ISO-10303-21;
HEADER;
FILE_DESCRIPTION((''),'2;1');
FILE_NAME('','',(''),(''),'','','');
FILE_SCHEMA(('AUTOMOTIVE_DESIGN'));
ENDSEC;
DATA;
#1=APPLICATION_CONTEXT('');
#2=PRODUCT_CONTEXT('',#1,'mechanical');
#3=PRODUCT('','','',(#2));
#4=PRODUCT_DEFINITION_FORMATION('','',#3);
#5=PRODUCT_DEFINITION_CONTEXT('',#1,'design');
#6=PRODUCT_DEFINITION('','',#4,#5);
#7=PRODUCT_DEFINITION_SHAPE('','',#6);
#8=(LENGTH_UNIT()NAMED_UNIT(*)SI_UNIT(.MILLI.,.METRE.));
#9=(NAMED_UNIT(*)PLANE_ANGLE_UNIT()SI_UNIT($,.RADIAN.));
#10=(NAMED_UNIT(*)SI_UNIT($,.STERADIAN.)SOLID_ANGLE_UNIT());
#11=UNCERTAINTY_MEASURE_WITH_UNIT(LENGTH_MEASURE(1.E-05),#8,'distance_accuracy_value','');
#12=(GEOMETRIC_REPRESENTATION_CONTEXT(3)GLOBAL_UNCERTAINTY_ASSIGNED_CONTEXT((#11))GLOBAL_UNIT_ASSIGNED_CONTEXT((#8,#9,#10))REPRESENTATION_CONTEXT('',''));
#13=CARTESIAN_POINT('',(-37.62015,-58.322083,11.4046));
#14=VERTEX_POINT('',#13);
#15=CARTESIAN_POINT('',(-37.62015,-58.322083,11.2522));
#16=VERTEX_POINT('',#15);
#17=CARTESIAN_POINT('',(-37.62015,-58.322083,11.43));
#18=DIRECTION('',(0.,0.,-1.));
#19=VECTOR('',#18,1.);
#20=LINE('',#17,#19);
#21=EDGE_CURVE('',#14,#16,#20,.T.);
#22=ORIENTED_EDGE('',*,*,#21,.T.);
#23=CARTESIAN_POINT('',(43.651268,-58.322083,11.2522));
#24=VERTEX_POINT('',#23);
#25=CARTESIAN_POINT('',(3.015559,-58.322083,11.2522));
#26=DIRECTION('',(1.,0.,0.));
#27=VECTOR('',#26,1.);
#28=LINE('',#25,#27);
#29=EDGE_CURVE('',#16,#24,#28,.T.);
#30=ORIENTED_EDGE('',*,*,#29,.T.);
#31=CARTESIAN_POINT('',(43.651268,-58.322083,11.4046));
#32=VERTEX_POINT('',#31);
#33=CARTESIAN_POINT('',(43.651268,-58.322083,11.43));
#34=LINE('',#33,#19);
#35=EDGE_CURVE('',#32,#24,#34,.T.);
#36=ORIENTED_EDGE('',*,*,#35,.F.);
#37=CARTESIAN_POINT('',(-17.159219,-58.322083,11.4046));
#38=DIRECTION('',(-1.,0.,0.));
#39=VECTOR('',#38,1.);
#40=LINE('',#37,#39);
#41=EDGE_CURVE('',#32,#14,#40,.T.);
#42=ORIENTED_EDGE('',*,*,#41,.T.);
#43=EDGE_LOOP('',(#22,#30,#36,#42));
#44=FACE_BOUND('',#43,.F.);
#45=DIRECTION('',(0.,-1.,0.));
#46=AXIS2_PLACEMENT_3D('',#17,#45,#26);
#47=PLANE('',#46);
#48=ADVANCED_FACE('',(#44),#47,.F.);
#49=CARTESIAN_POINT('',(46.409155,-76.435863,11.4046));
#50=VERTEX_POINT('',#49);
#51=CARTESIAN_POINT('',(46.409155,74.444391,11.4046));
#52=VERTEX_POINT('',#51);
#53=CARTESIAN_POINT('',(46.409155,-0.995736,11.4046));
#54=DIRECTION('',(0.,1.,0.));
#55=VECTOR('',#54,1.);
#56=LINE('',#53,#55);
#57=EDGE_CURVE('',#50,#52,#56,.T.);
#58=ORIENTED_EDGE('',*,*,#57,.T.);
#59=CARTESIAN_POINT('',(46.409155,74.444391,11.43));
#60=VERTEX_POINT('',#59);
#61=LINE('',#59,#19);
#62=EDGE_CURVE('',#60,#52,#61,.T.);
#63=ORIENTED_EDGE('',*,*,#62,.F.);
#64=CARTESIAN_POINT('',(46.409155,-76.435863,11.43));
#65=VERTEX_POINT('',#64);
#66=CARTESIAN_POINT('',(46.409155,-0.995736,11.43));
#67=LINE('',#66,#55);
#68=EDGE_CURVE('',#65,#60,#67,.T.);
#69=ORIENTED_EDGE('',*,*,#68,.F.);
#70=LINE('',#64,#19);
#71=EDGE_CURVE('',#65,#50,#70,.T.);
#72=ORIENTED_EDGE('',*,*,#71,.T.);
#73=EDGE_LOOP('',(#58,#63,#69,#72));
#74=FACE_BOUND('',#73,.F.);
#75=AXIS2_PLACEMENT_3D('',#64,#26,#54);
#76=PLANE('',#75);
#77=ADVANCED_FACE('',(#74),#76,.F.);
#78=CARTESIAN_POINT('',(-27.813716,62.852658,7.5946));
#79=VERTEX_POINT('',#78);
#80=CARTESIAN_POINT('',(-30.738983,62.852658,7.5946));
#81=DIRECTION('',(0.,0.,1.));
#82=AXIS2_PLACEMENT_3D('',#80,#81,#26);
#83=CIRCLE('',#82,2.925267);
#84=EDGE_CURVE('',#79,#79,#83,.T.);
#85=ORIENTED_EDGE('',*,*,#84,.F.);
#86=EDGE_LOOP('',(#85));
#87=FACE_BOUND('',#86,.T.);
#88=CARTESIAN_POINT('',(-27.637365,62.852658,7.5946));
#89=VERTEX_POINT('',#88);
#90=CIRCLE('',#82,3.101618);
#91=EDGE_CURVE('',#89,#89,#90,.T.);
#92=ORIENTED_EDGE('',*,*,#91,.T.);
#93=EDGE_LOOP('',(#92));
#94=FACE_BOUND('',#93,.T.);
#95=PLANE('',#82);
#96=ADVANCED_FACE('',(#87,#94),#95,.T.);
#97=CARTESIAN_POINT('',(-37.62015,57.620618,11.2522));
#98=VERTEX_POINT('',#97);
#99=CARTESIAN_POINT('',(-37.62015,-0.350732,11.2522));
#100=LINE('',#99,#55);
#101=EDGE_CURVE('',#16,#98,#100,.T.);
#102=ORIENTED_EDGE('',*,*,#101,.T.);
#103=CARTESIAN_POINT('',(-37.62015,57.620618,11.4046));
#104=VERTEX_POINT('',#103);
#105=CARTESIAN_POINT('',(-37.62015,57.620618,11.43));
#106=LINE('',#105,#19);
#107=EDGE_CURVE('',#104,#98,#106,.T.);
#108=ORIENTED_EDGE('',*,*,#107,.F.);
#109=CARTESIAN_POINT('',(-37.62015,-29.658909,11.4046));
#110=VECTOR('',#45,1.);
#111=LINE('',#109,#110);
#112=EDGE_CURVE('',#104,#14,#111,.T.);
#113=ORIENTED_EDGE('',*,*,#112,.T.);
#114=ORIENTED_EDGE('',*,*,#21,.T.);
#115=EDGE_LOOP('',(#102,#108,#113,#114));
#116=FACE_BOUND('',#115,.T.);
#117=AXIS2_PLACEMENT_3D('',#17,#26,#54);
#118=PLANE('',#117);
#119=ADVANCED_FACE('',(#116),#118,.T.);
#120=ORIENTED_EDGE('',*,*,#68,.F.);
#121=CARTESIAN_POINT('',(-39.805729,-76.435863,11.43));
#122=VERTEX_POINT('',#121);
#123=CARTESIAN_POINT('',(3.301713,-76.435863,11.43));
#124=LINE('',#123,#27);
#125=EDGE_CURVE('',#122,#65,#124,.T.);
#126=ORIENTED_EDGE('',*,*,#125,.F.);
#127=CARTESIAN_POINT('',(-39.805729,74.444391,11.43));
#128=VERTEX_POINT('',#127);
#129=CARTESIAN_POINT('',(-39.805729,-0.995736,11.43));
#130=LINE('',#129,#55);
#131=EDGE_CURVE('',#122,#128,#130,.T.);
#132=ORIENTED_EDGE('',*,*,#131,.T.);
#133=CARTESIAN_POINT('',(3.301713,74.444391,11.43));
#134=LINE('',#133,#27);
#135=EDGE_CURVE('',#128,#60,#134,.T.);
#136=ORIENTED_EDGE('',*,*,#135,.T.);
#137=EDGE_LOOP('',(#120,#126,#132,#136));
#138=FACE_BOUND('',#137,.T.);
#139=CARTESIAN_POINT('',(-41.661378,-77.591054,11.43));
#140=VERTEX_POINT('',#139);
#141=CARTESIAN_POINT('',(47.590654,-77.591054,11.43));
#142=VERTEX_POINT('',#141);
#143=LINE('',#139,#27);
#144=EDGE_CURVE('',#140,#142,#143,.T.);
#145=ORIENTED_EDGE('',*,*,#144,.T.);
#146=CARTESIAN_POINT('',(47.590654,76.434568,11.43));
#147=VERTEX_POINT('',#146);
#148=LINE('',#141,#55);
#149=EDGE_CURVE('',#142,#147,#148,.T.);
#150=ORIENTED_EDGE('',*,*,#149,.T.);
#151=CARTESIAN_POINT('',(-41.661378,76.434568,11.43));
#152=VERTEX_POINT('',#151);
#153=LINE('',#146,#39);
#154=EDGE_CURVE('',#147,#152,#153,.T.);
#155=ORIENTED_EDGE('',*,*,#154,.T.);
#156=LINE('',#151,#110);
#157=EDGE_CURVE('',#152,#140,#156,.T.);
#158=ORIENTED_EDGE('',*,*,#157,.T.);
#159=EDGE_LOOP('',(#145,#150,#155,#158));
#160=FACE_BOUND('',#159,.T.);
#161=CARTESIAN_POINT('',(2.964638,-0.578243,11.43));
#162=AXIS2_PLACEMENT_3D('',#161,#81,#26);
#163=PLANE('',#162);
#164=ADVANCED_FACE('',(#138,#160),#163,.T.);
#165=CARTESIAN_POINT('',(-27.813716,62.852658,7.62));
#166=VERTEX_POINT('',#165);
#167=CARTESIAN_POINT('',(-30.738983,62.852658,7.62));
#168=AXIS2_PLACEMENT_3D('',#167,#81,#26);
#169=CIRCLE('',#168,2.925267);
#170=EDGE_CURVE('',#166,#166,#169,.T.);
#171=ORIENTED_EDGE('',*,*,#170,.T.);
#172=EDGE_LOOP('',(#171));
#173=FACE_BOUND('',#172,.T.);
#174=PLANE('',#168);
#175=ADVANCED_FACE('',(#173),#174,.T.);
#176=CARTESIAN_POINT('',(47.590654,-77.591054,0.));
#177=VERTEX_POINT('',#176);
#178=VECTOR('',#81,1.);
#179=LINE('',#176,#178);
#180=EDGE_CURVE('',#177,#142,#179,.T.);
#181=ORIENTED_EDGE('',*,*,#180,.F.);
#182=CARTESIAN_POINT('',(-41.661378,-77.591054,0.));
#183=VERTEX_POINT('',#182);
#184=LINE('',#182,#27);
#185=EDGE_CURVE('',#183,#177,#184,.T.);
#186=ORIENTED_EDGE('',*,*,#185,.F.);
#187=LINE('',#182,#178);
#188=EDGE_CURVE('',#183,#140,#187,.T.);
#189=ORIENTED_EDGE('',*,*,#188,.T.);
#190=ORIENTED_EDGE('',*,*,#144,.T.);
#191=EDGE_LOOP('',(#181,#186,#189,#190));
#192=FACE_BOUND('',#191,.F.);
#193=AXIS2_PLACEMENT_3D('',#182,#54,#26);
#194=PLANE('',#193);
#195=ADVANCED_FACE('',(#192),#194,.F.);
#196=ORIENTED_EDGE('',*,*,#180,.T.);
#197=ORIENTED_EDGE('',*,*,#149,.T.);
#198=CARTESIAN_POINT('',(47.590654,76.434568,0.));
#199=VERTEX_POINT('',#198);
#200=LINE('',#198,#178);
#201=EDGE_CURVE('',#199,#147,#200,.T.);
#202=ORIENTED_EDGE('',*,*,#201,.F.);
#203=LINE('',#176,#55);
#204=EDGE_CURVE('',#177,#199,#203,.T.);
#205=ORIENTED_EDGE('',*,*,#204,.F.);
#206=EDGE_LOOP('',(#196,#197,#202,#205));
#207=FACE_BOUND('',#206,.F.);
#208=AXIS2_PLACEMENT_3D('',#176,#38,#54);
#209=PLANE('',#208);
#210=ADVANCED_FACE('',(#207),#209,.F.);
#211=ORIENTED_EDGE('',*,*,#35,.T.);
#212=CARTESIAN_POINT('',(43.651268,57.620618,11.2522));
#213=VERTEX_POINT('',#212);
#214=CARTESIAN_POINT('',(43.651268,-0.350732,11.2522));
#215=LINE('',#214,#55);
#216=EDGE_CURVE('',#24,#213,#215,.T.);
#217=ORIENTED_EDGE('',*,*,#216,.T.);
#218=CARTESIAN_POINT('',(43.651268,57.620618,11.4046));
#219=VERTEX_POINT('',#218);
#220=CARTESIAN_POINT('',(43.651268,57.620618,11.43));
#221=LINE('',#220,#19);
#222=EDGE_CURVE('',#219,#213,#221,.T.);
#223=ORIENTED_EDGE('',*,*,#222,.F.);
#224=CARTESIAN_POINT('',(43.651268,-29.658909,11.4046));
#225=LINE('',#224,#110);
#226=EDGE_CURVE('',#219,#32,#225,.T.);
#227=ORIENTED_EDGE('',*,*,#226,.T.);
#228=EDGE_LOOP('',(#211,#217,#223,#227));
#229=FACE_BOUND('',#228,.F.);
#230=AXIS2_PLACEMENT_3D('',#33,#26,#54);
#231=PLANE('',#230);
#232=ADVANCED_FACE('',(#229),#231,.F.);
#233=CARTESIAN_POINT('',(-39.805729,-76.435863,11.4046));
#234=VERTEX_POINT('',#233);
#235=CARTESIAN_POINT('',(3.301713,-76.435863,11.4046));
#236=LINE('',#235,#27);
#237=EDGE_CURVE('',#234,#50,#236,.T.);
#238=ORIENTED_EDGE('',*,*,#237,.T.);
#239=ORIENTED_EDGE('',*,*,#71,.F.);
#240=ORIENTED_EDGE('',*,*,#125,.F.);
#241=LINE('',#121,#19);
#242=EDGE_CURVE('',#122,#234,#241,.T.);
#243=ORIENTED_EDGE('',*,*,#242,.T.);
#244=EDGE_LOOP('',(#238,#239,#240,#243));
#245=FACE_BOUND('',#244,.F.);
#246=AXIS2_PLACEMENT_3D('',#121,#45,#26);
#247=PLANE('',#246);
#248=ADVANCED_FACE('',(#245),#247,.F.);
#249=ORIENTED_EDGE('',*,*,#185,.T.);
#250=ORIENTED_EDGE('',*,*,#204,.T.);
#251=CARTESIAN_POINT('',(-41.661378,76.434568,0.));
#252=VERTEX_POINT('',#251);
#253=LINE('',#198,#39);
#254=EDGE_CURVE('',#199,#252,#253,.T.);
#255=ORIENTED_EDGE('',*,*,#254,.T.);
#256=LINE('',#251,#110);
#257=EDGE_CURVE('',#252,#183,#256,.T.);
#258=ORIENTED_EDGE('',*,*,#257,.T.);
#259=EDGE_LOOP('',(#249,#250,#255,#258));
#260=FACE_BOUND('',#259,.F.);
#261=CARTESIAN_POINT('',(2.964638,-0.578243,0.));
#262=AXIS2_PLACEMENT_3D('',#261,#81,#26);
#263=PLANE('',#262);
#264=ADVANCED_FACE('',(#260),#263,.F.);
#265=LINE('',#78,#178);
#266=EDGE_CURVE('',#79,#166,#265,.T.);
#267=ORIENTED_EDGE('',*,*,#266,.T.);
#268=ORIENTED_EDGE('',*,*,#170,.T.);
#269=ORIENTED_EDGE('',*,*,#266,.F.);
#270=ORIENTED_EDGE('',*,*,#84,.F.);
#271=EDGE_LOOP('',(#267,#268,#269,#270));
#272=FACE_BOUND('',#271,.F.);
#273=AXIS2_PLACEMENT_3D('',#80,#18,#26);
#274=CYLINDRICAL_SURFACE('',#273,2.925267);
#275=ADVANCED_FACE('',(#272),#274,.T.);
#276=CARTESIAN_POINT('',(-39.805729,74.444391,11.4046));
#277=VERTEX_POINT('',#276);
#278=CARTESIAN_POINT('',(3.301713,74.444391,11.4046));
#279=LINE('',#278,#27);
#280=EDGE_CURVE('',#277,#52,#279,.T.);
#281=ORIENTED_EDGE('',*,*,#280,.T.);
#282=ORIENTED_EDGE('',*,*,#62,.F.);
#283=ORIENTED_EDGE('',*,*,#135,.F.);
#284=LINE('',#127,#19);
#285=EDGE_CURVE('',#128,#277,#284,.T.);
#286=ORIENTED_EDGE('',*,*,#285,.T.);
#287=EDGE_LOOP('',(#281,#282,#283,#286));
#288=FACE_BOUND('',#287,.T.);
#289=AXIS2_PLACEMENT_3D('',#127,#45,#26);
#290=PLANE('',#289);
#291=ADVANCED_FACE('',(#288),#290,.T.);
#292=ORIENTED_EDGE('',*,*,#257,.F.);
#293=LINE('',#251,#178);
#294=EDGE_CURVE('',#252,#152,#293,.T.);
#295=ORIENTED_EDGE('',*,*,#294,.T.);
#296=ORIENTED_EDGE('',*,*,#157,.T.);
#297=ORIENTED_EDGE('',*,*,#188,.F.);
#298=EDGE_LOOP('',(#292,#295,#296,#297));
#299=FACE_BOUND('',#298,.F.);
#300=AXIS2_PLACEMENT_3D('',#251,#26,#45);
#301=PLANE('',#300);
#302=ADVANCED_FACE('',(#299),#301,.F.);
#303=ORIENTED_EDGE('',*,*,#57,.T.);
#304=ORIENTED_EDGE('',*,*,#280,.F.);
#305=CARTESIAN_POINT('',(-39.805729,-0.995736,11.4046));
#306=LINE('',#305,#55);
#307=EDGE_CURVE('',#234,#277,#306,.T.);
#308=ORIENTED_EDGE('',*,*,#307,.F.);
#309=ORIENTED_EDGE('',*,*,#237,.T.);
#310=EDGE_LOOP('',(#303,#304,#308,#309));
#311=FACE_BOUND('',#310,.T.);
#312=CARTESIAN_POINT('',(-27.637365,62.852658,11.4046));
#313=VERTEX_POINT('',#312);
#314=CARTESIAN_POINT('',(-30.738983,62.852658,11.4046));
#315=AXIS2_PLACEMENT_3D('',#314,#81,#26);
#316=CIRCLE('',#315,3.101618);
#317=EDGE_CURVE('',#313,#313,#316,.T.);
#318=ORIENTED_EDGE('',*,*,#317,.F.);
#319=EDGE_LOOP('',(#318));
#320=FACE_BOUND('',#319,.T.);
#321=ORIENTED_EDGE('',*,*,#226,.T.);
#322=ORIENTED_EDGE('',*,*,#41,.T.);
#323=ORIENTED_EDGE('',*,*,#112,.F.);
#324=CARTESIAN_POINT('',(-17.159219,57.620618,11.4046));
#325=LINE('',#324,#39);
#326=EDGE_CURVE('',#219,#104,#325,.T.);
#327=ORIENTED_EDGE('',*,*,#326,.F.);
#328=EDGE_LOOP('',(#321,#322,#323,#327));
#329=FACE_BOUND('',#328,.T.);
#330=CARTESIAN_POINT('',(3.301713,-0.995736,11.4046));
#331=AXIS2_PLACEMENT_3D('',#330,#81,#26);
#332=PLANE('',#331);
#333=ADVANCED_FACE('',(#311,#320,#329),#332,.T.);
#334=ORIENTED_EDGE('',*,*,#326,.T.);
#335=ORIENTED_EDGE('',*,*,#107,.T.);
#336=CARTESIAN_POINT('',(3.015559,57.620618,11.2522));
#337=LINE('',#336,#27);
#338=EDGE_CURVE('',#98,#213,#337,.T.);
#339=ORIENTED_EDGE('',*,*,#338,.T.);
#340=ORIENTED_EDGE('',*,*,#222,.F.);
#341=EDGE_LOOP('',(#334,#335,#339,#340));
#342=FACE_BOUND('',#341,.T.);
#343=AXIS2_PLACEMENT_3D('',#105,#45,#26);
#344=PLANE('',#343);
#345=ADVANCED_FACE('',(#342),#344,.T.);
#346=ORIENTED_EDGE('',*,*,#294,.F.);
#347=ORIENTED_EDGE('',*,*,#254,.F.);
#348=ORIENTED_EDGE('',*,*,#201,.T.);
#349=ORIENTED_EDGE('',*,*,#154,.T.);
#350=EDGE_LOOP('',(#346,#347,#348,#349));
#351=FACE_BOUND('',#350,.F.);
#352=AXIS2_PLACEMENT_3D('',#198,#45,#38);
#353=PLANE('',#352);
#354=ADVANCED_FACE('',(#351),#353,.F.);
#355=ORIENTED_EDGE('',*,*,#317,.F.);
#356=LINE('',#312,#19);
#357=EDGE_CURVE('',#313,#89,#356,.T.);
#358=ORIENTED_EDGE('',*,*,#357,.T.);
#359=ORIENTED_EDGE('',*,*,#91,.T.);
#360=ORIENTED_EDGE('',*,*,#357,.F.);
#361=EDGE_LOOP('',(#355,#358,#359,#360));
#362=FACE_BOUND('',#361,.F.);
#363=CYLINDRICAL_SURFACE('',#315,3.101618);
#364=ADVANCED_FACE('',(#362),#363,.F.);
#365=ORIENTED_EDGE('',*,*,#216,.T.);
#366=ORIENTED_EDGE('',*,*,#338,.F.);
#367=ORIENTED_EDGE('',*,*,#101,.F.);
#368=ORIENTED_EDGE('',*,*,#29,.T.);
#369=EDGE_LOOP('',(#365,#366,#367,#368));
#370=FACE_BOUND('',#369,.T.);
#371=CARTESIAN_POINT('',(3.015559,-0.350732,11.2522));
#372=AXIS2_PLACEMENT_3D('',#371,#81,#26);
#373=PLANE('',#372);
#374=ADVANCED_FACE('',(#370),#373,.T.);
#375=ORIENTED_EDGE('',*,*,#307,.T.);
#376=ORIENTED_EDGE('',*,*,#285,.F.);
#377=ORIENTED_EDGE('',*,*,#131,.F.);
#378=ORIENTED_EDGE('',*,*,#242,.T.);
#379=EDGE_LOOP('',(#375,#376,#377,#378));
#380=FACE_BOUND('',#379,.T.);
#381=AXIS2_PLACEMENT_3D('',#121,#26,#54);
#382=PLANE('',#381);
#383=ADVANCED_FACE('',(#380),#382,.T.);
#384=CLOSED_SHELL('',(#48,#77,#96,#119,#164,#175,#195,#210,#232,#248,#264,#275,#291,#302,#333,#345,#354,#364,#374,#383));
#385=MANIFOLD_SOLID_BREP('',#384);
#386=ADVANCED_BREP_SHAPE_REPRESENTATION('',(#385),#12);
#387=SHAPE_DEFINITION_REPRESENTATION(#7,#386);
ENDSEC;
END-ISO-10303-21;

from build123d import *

# Parameters (mm, degrees)
F1_DEPTH = 11.43
F2_W     = 81.271418
F2_H     = 115.942701
F3_DEPTH = 0.1778
F4_W     = 86.214885
F4_H     = 150.880255
F5_DEPTH = 0.0254
F6_R     = 3.101618
F7_DEPTH = 3.81
F8_R     = 2.925267
F9_DEPTH = 0.0254


with BuildPart() as f1:
    # F0 (on Top) → F1 (new body)
    with BuildSketch(Plane.XY):
        Polygon((47.590654, 76.434568), (0, 76.434568), (-41.661378, 76.434568), (-41.661378, 0), (-41.661378, -76.72172), (-41.661378, -77.591054), (0, -77.591054), (47.590654, -77.591054), align=None)
    extrude(amount=F1_DEPTH)

    # F2 (on face) → F3 (cut)
    with BuildSketch(Plane.XY.offset(11.43)):
        with Locations((3.015559, -0.350732)):
            Rectangle(F2_W, F2_H)
    extrude(amount=-F3_DEPTH, mode=Mode.SUBTRACT)

    # F4 (on face) → F5 (cut)
    with BuildSketch(Plane.XY.offset(11.43)):
        with Locations((3.301713, -0.995736)):
            Rectangle(F4_W, F4_H)
    extrude(amount=-F5_DEPTH, mode=Mode.SUBTRACT)

    # F6 (on face) → F7 (cut)
    with BuildSketch(Plane.XY.offset(11.4046)):
        with Locations((-30.738983, 62.852658)):
            Circle(F6_R)
    extrude(amount=-F7_DEPTH, mode=Mode.SUBTRACT)

    # F8 (on face) → F9 (join)
    with BuildSketch(Plane.XY.offset(7.5946)):
        with Locations((-30.738983, 62.852658)):
            Circle(F8_R)
    extrude(amount=F9_DEPTH)


solid = f1.part
